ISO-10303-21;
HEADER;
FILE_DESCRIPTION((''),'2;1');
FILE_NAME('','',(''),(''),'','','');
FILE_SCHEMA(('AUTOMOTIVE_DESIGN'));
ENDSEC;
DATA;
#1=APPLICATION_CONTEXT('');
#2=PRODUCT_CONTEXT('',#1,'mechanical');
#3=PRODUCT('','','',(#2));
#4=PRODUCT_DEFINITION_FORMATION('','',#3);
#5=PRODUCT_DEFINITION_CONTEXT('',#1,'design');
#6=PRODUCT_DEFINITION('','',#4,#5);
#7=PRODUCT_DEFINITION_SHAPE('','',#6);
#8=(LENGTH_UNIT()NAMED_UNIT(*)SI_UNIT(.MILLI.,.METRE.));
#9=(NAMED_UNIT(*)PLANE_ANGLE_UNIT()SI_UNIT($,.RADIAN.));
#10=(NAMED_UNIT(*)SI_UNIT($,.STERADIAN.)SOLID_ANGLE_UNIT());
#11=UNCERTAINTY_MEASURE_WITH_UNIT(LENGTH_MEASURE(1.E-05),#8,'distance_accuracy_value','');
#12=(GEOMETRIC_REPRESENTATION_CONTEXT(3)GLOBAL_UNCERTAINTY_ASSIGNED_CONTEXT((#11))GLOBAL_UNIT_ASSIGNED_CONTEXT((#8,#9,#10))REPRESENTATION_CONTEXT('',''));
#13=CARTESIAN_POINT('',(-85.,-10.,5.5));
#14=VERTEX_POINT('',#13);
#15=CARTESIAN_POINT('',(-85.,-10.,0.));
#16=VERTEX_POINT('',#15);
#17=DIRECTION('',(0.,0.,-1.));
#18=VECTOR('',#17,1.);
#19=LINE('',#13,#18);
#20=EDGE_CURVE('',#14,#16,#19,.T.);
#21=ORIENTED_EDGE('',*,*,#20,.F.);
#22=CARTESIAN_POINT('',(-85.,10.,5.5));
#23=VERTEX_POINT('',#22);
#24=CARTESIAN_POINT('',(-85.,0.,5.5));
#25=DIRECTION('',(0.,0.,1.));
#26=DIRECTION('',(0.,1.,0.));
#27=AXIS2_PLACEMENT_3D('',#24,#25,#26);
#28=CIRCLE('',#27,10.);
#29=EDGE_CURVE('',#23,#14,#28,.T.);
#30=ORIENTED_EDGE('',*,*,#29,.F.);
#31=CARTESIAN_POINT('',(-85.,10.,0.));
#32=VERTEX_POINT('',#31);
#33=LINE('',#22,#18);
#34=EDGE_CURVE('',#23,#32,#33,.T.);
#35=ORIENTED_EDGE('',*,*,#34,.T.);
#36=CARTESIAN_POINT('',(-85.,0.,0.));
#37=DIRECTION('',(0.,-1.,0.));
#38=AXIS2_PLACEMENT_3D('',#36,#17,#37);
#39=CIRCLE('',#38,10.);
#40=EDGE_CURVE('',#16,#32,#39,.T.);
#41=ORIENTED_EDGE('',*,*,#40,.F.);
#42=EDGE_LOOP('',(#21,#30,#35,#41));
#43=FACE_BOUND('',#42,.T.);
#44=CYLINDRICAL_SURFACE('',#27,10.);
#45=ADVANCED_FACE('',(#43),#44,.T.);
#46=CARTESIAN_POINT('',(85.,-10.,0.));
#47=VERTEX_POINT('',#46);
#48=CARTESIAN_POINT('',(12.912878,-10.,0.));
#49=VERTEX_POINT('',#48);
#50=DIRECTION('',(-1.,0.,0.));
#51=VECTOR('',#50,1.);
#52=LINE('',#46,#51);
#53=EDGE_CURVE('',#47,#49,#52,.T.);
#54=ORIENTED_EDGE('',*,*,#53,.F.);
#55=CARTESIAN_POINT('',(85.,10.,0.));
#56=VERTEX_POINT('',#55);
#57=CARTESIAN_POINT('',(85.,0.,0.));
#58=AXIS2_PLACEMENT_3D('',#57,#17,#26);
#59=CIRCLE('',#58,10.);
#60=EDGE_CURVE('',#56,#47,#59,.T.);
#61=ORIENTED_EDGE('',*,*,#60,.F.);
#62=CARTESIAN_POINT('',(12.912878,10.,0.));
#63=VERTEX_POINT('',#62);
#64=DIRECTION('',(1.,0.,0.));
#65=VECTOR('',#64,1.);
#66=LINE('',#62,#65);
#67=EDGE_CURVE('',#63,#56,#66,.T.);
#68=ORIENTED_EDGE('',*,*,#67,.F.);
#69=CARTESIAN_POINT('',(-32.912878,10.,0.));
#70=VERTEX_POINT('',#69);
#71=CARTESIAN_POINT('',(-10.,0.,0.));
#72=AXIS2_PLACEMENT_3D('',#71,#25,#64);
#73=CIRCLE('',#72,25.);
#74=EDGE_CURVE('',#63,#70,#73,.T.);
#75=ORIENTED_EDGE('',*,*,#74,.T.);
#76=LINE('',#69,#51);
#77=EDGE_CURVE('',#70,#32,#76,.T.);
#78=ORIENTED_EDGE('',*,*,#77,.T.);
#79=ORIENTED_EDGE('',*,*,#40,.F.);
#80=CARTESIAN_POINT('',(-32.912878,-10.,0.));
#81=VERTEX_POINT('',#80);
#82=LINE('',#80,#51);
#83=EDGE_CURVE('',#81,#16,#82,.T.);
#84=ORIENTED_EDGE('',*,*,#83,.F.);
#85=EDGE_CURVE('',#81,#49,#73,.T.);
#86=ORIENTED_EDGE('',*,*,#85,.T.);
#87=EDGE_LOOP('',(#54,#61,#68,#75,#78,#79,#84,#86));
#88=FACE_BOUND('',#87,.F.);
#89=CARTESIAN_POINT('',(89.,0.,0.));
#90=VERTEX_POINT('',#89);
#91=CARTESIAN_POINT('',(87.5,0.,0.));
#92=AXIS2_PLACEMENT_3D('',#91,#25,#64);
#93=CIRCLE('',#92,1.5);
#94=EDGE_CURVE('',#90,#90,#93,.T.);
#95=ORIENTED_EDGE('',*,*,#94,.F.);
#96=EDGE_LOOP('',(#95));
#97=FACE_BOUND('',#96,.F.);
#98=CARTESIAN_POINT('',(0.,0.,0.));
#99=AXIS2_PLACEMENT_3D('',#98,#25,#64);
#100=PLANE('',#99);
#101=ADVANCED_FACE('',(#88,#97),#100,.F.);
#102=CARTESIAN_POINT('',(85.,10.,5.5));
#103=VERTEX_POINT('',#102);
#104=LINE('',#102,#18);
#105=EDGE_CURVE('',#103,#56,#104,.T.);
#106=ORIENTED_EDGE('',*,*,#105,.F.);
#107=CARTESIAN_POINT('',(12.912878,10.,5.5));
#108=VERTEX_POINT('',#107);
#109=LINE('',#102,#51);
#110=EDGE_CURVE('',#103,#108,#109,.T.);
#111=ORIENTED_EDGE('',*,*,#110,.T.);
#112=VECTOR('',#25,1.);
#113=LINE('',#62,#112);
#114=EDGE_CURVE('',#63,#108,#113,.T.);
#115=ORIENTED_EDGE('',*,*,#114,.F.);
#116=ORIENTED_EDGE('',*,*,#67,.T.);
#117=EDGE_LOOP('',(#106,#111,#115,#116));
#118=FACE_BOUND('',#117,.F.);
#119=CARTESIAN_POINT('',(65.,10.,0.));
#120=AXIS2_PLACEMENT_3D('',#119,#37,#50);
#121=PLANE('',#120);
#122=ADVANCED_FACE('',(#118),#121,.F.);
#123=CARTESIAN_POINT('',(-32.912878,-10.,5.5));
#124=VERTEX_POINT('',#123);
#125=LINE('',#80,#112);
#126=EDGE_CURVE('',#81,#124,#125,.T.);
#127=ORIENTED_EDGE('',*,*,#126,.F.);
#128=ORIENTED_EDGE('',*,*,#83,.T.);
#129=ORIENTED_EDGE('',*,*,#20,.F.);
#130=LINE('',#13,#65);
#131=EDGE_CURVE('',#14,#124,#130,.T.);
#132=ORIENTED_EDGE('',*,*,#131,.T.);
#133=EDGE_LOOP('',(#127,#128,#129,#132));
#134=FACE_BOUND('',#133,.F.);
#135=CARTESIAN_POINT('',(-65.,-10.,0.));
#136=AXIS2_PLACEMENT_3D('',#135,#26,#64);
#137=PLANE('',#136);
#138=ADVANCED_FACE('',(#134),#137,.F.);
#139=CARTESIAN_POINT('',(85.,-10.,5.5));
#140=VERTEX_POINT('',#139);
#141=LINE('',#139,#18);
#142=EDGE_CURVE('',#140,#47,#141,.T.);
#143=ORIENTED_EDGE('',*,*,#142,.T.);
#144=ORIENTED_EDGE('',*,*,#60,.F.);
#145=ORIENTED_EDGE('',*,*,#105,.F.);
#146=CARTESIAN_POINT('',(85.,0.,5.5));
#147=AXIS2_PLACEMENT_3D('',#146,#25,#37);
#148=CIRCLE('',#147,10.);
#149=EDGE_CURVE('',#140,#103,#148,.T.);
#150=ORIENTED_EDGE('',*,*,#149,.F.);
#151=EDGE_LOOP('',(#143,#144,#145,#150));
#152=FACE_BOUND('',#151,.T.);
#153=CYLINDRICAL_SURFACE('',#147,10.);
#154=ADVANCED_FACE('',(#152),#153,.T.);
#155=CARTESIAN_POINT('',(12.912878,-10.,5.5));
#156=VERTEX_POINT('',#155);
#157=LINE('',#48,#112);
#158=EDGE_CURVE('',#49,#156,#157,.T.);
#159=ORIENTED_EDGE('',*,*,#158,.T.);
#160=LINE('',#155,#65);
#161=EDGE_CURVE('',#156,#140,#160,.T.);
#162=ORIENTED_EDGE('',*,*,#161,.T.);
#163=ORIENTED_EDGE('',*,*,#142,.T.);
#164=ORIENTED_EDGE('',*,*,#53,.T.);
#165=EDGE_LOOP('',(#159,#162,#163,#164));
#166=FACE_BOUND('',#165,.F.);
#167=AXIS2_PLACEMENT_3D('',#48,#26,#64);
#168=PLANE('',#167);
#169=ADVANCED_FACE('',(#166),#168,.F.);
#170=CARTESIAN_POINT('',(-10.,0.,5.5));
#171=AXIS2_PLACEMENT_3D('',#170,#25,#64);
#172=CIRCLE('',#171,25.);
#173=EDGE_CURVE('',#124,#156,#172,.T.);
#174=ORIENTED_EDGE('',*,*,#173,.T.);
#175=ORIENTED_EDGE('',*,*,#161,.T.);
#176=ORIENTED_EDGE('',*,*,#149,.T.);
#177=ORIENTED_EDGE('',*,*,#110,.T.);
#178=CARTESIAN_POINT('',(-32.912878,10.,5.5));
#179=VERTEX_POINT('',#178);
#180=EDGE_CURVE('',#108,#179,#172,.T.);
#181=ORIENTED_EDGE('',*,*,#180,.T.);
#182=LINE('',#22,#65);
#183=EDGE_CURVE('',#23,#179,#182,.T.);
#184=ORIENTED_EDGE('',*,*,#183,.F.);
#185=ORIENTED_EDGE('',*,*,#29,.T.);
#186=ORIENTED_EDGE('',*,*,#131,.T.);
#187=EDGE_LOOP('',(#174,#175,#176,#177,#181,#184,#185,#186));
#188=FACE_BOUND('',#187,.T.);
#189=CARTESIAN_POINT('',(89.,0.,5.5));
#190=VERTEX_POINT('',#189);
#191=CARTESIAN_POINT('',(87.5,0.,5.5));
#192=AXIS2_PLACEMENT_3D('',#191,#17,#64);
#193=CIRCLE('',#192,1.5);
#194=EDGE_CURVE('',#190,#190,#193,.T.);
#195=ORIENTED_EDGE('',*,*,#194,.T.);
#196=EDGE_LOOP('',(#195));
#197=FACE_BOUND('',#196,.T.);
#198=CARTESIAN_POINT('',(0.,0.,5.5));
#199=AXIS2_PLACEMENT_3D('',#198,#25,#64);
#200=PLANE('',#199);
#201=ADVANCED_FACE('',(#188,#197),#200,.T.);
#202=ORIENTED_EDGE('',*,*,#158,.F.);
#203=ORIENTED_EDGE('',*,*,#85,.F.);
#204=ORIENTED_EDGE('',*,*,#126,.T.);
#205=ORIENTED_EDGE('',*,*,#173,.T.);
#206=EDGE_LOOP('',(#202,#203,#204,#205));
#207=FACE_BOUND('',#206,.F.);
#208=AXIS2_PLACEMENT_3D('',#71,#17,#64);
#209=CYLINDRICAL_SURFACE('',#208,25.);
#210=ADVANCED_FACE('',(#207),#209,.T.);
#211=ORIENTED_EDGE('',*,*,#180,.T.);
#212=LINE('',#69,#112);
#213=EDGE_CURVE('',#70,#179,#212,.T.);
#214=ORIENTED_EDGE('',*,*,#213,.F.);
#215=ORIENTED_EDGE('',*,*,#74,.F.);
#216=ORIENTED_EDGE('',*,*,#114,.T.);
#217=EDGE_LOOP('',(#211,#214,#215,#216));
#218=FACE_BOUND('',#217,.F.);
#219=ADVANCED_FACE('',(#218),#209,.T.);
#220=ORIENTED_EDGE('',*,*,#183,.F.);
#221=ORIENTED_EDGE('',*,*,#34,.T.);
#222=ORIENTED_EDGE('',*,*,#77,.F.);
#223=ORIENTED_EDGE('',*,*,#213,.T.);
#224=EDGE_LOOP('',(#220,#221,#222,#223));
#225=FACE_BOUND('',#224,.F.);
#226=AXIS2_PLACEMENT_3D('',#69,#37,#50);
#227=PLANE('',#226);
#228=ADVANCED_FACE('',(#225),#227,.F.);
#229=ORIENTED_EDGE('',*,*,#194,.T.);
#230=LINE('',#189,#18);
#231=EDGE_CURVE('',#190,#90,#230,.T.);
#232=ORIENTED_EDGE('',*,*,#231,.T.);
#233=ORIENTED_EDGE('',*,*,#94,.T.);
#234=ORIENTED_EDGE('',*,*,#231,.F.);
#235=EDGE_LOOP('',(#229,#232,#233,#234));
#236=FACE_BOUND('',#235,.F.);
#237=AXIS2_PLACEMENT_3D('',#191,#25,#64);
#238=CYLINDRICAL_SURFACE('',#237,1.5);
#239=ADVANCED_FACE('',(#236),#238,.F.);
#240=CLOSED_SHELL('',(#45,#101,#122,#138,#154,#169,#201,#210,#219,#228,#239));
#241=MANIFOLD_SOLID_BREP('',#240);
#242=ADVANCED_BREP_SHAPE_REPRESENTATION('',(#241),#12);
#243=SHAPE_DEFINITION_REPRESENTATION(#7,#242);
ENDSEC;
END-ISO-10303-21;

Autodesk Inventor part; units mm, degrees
ref_plane "YZ Plane" through (0, 0, 0) normal (1, 0, 0) x (0, 1, 0)
ref_plane "XZ Plane" through (0, 0, 0) normal (0, 1, 0) x (-1, 0, 0)
ref_plane "XY Plane" through (0, 0, 0) normal (0, 0, 1) x (1, 0, 0)
sketch "Boceto1" plane through (0, 0, 0) normal (0, 0, 1) x (1, 0, 0)
  line L0 (0, 0) -> (-20, 0)
  line L1 (-20, 0) -> (0, 0)
  line L2 (-20, 0) -> (0, 0)
  line L3 (-65, -10) -> (65, -10)
  line L4 (65, -10) -> (65, 10)
  line L5 (65, 10) -> (-65, 10)
  line L6 (-65, 10) -> (-65, -10)
  circle A0 centre (-10, 0) radius 25
  point P0 (-20, -35)
  point P1 (12.9129, 10)
  point P2 (-32.9129, 10)
  point P3 (-32.9129, -10)
  point P4 (12.9129, -10)
  dimension "d4" = 20
  dimension "d6" = 130
  dimension "d7" = 20
  dimension "d8" = 50
extrude "Extrusión1" add sketch "Boceto1" along normal blind 5.5
sketch "Boceto2" plane through (0, 0, 5.5) normal (0, 0, 1) x (1, 0, 0)
  line L0 (65, -10) -> (65, 10) projected
  line L1 (65, 0) -> (90, 0)
  line L2 (65, 0) -> (85, 0)
  line L3 (85, 0) -> (90, 0)
  circle A0 centre (87.5, 0) radius 1.5
  line L4 (65, 0) -> (95, 0)
  line L5 (95, 0) -> (95, -10)
  line L6 (12.9129, -10) -> (65, -10) projected
  line L7 (95, -10) -> (65, -10)
  line L8 (65, -10) -> (65, 10)
  line L9 (95, 10) -> (65, 10)
  line L10 (95, 0) -> (95, 10)
  arc A1 (95, -2.0554) -> (95, 0) centre (85.9536, -1.0277) ccw
  arc A2 (95, 0) -> (95, 2.0554) centre (85.9536, 1.0277) ccw
  arc A3 (85, -10) -> (85, 10) centre (85, 0) ccw
  point P0 (0, 0)
  point P1 (87.5, -10)
  point P2 (87.5, 10)
  point P3 (95, 2.0554)
  point P4 (87.5, 10)
  point P5 (95, -2.0554)
  dimension "d11" = 25
  dimension "d12" = 20
  dimension "d13" = 3
  dimension "d14" = 30
extrude "Extrusión2" add sketch "Boceto2" against normal blind 5.5 contours L0 L1 A0 L4 A3 L7 | L0 L9 A3 L4 L1 A0
sketch "Boceto4" plane through (0, 0, 5.5) normal (0, 0, 1) x (1, 0, 0)
  line L0 (-65, 10) -> (-65, -10) projected
  line L1 (-65, 0) -> (-95, 0)
  line L2 (-95, 0) -> (-95, 10)
  line L3 (-95, 10) -> (-65, 10)
  line L4 (-65, -10) -> (-95, -10)
  line L5 (-95, -10) -> (-95, 0)
  line L6 (-65, 0) -> (-85, 0)
  arc A0 (-85, 10) -> (-85, -10) centre (-85, 0) ccw
  point P0 (0, 0)
  dimension "d17" = 30
  dimension "d18" = 20
extrude "Extrusión3" add sketch "Boceto4" against normal blind 5.5 contours L0 L1 A0 L3 | L0 L4 A0 L1
properties part number "lamina"
